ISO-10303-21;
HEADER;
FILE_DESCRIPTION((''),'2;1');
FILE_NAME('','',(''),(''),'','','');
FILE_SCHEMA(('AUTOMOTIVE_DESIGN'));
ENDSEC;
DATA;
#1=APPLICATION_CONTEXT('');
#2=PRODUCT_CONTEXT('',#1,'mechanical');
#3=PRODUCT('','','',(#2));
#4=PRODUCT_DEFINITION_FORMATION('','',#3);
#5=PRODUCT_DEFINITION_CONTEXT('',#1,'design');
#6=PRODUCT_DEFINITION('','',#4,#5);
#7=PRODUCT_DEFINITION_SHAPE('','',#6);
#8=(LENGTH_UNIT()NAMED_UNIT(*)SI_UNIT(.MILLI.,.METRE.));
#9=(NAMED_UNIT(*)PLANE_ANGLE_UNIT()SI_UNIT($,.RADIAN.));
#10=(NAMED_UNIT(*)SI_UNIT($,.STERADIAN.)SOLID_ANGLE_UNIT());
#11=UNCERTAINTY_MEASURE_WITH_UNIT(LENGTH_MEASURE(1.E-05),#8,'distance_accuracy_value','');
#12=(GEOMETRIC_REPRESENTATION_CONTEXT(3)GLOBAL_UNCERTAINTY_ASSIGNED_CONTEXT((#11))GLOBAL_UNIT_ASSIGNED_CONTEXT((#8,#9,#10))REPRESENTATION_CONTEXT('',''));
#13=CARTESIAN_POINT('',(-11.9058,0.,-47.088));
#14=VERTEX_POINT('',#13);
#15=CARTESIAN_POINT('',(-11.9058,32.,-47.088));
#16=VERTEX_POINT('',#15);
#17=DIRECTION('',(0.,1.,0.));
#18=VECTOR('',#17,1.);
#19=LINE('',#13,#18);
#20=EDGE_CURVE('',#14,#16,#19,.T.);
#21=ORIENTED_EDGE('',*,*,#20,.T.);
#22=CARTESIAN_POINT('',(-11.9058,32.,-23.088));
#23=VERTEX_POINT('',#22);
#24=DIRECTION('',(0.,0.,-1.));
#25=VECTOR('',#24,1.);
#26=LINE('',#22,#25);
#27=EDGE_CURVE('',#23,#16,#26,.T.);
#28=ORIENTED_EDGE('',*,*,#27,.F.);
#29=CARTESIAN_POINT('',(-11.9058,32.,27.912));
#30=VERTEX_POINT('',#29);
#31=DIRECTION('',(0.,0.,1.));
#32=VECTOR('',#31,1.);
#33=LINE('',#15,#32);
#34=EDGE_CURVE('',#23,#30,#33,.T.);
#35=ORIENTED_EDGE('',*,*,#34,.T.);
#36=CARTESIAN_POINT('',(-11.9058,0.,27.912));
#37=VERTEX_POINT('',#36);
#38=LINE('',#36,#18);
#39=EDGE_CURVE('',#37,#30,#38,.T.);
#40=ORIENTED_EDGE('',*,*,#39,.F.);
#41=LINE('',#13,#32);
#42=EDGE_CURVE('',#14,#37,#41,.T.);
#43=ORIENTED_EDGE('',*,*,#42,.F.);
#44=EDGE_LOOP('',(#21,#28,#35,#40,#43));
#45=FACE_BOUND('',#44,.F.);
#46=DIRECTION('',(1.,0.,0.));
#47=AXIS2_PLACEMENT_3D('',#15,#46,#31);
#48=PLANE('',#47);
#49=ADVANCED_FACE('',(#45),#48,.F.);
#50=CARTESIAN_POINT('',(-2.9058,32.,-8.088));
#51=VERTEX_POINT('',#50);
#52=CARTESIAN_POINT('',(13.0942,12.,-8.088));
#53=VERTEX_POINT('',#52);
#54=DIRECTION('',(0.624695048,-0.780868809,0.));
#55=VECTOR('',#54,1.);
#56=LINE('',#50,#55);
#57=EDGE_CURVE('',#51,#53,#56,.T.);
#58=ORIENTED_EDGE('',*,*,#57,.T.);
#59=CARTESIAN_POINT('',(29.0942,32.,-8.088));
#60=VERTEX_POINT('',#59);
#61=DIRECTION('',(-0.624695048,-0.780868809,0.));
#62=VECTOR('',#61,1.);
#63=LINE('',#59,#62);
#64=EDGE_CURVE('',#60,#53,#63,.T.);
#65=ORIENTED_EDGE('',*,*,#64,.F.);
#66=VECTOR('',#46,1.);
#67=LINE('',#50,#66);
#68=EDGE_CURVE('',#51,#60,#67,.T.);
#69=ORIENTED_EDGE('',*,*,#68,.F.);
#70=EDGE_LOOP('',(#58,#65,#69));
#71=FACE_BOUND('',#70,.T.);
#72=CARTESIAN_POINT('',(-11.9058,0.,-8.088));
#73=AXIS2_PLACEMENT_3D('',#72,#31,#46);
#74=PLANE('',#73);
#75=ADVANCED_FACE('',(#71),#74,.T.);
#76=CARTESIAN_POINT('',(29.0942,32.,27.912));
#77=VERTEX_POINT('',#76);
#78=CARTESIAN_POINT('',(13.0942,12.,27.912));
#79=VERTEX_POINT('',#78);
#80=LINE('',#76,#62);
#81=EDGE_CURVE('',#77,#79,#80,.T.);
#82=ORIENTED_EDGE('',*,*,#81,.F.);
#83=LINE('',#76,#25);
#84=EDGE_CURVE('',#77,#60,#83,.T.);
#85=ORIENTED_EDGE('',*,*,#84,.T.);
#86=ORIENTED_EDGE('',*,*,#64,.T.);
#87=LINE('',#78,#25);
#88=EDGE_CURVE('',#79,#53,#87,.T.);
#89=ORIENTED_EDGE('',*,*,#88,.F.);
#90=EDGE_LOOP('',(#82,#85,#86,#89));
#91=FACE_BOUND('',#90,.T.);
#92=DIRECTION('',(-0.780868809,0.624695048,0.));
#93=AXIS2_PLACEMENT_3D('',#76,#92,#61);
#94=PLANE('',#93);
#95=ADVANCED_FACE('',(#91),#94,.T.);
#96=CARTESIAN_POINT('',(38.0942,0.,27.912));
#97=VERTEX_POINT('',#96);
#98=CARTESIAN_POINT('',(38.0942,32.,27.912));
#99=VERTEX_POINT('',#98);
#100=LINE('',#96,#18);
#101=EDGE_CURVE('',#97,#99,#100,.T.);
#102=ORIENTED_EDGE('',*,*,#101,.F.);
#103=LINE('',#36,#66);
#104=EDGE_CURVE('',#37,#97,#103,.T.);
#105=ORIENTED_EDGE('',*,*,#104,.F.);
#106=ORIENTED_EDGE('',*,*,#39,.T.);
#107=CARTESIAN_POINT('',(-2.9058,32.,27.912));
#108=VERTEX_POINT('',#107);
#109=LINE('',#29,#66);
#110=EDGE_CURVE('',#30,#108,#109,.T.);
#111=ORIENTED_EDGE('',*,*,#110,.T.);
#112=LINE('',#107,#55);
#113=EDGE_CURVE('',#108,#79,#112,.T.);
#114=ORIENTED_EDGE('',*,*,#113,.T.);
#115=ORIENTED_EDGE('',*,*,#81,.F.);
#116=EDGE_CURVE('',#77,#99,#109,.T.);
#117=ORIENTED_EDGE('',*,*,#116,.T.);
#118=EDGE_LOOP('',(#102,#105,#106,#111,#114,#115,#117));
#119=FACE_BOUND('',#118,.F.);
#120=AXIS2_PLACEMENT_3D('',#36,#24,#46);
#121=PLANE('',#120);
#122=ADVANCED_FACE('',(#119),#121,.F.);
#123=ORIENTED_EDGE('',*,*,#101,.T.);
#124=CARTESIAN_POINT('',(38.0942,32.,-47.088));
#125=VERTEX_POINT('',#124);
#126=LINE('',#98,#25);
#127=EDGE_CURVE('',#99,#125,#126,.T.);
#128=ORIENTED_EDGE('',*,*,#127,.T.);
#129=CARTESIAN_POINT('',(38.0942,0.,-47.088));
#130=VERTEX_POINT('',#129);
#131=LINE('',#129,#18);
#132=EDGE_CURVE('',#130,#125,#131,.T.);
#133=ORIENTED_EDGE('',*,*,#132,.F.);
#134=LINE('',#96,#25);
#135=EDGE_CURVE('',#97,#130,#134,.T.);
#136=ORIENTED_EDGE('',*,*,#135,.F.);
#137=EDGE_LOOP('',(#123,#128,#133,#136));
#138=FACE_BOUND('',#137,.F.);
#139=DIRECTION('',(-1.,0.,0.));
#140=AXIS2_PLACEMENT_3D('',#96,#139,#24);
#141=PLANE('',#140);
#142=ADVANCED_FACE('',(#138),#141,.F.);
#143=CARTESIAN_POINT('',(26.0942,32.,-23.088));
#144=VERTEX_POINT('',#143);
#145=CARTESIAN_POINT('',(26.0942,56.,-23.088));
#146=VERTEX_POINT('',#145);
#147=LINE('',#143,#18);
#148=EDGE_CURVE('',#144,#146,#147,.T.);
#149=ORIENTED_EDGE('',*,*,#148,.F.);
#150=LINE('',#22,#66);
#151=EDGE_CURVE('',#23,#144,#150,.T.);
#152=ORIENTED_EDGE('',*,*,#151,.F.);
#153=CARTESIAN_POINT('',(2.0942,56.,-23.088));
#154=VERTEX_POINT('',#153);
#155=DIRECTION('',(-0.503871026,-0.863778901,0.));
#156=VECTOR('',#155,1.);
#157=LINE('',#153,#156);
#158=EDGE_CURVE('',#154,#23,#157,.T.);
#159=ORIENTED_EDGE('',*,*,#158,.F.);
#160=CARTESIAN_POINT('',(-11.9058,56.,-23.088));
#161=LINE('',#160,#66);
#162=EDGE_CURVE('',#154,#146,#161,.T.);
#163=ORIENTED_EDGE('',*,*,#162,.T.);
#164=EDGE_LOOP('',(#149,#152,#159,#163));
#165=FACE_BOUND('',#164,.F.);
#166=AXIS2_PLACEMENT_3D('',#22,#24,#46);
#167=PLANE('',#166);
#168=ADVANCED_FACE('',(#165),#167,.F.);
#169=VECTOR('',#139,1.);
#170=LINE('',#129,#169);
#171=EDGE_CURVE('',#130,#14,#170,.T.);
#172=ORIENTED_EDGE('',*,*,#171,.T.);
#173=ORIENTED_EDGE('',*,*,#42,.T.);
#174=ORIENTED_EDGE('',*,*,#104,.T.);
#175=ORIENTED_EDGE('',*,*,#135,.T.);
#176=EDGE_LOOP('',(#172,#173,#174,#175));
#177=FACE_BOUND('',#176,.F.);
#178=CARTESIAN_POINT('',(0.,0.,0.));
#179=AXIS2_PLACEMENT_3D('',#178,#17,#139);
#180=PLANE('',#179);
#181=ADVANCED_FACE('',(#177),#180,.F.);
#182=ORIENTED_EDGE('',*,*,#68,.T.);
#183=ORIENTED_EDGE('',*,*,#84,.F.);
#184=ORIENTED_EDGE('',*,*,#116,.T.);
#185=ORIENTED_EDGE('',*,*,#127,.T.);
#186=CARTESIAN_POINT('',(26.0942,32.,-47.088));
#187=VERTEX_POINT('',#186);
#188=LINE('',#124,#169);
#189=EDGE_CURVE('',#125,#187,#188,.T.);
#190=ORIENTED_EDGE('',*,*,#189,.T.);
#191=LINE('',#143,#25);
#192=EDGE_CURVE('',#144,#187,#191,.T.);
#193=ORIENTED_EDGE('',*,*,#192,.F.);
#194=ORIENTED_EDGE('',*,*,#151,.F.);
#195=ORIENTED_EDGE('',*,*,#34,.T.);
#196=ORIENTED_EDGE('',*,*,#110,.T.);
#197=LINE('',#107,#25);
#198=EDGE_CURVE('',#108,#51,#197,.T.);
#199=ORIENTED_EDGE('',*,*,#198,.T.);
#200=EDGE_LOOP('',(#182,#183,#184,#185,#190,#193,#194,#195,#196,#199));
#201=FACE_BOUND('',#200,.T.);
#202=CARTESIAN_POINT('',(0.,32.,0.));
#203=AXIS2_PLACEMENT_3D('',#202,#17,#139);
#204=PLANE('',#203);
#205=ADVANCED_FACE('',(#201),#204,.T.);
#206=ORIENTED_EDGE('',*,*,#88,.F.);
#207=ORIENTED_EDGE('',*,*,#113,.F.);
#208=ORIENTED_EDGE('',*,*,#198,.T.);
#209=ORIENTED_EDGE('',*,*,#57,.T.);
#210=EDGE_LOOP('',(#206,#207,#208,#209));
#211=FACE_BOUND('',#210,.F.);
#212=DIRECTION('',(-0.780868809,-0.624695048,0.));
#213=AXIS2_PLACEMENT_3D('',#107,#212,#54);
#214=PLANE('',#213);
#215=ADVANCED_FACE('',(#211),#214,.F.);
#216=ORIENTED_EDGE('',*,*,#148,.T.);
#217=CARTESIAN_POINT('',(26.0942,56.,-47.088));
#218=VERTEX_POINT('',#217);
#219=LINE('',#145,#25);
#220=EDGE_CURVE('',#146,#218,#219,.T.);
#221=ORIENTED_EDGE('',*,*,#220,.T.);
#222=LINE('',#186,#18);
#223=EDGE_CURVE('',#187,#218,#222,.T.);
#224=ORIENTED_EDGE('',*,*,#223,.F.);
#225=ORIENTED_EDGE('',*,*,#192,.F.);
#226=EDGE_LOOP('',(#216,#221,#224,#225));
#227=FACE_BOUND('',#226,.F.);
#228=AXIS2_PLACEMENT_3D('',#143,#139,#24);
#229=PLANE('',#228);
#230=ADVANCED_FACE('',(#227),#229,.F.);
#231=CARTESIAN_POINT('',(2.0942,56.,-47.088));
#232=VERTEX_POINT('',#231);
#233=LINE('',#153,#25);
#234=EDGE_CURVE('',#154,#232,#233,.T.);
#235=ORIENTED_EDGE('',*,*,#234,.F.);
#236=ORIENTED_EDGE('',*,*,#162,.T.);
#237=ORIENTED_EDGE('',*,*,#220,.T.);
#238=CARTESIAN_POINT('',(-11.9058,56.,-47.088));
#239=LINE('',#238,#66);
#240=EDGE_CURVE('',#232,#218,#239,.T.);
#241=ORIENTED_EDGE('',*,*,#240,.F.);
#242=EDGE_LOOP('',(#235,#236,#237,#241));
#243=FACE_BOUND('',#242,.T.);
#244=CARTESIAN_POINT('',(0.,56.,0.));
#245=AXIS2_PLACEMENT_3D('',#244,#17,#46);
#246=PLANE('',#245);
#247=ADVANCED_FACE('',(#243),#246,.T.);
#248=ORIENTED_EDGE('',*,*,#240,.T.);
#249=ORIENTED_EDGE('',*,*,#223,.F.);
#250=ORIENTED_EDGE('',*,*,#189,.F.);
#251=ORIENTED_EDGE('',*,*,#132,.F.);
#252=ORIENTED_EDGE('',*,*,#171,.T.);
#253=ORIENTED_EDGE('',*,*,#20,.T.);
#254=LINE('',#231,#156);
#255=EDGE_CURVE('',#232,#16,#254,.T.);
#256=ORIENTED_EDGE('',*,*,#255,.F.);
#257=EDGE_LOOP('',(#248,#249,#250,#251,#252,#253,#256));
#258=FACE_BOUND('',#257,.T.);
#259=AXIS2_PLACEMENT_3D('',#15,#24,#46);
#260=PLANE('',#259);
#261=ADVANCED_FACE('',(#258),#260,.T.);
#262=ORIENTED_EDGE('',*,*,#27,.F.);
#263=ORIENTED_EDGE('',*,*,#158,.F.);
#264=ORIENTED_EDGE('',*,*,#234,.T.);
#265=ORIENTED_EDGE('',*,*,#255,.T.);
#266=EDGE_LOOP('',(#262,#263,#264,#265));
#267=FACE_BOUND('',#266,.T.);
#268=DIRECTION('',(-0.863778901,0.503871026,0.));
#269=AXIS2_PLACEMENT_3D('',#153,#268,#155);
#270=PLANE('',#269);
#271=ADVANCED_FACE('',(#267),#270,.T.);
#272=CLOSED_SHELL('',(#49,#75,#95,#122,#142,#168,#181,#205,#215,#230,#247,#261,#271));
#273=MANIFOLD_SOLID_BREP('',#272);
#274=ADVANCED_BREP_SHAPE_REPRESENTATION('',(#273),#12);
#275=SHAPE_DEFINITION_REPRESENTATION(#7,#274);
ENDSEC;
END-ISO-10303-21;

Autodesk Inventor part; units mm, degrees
ref_plane "YZ Plane" through (0, 0, 0) normal (1, 0, 0) x (0, 1, 0)
ref_plane "XZ Plane" through (0, 0, 0) normal (0, 1, 0) x (-1, 0, 0)
ref_plane "XY Plane" through (0, 0, 0) normal (0, 0, 1) x (1, 0, 0)
sketch "Sketch1" plane through (0, 0, 0) normal (0, 1, 0) x (-1, 0, 0)
  line L0 (11.9058, 27.912) -> (-38.0942, 27.912)
  line L1 (-38.0942, 27.912) -> (-38.0942, -47.088)
  line L2 (-38.0942, -47.088) -> (11.9058, -47.088)
  line L3 (11.9058, -47.088) -> (11.9058, 27.912)
  point P0 (0, 0)
  dimension "d0" = 50
  dimension "d1" = 75
extrude "Extrusion1" add sketch "Sketch1" along normal blind 32
sketch "Sketch2" plane through (-11.9058, 0, 27.912) normal (0, 0, 1) x (1, 0, 0)
  line L0 (0, 0) -> (25, 0)
  line L1 (0, 32) -> (9, 32)
  line L2 (41, 32) -> (25, 12)
  line L3 (9, 32) -> (25, 12)
  line L4 (9, 32) -> (41, 32)
  line L5 (50, 32) -> (0, 32) projected
  line L6 (0, 0) -> (0, 32) projected
  point P0 (11.9058, 0)
  dimension "d8" = 38.66
extrude "Extrusion2" cut sketch "Sketch2" against normal blind 36
sketch "Sketch3" plane through (0, 32, 0) normal (0, 1, 0) x (1, 0, 0)
  line L0 (-11.9058, 47.088) -> (-11.9058, -27.912) projected
  line L1 (-11.9058, 47.088) -> (-11.9058, 23.088)
  line L2 (38.0942, 47.088) -> (26.0942, 47.088)
  line L3 (-11.9058, 47.088) -> (26.0942, 47.088)
  line L4 (38.0942, 47.088) -> (-11.9058, 47.088) projected
  line L5 (-11.9058, 23.088) -> (26.0942, 23.088)
  line L6 (26.0942, 23.088) -> (26.0942, 47.088)
  point P0 (0, 0)
  dimension "d11" = 24
  dimension "d13" = 38
  dimension "d14" = 38
extrude "Extrusion3" add sketch "Sketch3" along normal blind 24
sketch "Sketch4" plane through (-11.9058, 32, -23.088) normal (0, 0, 1) x (1, 0, 0)
  line L0 (0, -32) -> (0, 24) projected
  line L1 (0, 24) -> (14, 24)
  line L2 (0, 24) -> (38, 24) projected
  line L3 (0, 0) -> (9, 0) projected
  line L4 (14, 24) -> (0, 0)
  line L5 (0, 0) -> (0, 24)
  point P0 (11.9058, -32)
  dimension "d17" = 14
extrude "Extrusion4" cut sketch "Sketch4" against normal blind 24
properties part number "6 - Part 1"
